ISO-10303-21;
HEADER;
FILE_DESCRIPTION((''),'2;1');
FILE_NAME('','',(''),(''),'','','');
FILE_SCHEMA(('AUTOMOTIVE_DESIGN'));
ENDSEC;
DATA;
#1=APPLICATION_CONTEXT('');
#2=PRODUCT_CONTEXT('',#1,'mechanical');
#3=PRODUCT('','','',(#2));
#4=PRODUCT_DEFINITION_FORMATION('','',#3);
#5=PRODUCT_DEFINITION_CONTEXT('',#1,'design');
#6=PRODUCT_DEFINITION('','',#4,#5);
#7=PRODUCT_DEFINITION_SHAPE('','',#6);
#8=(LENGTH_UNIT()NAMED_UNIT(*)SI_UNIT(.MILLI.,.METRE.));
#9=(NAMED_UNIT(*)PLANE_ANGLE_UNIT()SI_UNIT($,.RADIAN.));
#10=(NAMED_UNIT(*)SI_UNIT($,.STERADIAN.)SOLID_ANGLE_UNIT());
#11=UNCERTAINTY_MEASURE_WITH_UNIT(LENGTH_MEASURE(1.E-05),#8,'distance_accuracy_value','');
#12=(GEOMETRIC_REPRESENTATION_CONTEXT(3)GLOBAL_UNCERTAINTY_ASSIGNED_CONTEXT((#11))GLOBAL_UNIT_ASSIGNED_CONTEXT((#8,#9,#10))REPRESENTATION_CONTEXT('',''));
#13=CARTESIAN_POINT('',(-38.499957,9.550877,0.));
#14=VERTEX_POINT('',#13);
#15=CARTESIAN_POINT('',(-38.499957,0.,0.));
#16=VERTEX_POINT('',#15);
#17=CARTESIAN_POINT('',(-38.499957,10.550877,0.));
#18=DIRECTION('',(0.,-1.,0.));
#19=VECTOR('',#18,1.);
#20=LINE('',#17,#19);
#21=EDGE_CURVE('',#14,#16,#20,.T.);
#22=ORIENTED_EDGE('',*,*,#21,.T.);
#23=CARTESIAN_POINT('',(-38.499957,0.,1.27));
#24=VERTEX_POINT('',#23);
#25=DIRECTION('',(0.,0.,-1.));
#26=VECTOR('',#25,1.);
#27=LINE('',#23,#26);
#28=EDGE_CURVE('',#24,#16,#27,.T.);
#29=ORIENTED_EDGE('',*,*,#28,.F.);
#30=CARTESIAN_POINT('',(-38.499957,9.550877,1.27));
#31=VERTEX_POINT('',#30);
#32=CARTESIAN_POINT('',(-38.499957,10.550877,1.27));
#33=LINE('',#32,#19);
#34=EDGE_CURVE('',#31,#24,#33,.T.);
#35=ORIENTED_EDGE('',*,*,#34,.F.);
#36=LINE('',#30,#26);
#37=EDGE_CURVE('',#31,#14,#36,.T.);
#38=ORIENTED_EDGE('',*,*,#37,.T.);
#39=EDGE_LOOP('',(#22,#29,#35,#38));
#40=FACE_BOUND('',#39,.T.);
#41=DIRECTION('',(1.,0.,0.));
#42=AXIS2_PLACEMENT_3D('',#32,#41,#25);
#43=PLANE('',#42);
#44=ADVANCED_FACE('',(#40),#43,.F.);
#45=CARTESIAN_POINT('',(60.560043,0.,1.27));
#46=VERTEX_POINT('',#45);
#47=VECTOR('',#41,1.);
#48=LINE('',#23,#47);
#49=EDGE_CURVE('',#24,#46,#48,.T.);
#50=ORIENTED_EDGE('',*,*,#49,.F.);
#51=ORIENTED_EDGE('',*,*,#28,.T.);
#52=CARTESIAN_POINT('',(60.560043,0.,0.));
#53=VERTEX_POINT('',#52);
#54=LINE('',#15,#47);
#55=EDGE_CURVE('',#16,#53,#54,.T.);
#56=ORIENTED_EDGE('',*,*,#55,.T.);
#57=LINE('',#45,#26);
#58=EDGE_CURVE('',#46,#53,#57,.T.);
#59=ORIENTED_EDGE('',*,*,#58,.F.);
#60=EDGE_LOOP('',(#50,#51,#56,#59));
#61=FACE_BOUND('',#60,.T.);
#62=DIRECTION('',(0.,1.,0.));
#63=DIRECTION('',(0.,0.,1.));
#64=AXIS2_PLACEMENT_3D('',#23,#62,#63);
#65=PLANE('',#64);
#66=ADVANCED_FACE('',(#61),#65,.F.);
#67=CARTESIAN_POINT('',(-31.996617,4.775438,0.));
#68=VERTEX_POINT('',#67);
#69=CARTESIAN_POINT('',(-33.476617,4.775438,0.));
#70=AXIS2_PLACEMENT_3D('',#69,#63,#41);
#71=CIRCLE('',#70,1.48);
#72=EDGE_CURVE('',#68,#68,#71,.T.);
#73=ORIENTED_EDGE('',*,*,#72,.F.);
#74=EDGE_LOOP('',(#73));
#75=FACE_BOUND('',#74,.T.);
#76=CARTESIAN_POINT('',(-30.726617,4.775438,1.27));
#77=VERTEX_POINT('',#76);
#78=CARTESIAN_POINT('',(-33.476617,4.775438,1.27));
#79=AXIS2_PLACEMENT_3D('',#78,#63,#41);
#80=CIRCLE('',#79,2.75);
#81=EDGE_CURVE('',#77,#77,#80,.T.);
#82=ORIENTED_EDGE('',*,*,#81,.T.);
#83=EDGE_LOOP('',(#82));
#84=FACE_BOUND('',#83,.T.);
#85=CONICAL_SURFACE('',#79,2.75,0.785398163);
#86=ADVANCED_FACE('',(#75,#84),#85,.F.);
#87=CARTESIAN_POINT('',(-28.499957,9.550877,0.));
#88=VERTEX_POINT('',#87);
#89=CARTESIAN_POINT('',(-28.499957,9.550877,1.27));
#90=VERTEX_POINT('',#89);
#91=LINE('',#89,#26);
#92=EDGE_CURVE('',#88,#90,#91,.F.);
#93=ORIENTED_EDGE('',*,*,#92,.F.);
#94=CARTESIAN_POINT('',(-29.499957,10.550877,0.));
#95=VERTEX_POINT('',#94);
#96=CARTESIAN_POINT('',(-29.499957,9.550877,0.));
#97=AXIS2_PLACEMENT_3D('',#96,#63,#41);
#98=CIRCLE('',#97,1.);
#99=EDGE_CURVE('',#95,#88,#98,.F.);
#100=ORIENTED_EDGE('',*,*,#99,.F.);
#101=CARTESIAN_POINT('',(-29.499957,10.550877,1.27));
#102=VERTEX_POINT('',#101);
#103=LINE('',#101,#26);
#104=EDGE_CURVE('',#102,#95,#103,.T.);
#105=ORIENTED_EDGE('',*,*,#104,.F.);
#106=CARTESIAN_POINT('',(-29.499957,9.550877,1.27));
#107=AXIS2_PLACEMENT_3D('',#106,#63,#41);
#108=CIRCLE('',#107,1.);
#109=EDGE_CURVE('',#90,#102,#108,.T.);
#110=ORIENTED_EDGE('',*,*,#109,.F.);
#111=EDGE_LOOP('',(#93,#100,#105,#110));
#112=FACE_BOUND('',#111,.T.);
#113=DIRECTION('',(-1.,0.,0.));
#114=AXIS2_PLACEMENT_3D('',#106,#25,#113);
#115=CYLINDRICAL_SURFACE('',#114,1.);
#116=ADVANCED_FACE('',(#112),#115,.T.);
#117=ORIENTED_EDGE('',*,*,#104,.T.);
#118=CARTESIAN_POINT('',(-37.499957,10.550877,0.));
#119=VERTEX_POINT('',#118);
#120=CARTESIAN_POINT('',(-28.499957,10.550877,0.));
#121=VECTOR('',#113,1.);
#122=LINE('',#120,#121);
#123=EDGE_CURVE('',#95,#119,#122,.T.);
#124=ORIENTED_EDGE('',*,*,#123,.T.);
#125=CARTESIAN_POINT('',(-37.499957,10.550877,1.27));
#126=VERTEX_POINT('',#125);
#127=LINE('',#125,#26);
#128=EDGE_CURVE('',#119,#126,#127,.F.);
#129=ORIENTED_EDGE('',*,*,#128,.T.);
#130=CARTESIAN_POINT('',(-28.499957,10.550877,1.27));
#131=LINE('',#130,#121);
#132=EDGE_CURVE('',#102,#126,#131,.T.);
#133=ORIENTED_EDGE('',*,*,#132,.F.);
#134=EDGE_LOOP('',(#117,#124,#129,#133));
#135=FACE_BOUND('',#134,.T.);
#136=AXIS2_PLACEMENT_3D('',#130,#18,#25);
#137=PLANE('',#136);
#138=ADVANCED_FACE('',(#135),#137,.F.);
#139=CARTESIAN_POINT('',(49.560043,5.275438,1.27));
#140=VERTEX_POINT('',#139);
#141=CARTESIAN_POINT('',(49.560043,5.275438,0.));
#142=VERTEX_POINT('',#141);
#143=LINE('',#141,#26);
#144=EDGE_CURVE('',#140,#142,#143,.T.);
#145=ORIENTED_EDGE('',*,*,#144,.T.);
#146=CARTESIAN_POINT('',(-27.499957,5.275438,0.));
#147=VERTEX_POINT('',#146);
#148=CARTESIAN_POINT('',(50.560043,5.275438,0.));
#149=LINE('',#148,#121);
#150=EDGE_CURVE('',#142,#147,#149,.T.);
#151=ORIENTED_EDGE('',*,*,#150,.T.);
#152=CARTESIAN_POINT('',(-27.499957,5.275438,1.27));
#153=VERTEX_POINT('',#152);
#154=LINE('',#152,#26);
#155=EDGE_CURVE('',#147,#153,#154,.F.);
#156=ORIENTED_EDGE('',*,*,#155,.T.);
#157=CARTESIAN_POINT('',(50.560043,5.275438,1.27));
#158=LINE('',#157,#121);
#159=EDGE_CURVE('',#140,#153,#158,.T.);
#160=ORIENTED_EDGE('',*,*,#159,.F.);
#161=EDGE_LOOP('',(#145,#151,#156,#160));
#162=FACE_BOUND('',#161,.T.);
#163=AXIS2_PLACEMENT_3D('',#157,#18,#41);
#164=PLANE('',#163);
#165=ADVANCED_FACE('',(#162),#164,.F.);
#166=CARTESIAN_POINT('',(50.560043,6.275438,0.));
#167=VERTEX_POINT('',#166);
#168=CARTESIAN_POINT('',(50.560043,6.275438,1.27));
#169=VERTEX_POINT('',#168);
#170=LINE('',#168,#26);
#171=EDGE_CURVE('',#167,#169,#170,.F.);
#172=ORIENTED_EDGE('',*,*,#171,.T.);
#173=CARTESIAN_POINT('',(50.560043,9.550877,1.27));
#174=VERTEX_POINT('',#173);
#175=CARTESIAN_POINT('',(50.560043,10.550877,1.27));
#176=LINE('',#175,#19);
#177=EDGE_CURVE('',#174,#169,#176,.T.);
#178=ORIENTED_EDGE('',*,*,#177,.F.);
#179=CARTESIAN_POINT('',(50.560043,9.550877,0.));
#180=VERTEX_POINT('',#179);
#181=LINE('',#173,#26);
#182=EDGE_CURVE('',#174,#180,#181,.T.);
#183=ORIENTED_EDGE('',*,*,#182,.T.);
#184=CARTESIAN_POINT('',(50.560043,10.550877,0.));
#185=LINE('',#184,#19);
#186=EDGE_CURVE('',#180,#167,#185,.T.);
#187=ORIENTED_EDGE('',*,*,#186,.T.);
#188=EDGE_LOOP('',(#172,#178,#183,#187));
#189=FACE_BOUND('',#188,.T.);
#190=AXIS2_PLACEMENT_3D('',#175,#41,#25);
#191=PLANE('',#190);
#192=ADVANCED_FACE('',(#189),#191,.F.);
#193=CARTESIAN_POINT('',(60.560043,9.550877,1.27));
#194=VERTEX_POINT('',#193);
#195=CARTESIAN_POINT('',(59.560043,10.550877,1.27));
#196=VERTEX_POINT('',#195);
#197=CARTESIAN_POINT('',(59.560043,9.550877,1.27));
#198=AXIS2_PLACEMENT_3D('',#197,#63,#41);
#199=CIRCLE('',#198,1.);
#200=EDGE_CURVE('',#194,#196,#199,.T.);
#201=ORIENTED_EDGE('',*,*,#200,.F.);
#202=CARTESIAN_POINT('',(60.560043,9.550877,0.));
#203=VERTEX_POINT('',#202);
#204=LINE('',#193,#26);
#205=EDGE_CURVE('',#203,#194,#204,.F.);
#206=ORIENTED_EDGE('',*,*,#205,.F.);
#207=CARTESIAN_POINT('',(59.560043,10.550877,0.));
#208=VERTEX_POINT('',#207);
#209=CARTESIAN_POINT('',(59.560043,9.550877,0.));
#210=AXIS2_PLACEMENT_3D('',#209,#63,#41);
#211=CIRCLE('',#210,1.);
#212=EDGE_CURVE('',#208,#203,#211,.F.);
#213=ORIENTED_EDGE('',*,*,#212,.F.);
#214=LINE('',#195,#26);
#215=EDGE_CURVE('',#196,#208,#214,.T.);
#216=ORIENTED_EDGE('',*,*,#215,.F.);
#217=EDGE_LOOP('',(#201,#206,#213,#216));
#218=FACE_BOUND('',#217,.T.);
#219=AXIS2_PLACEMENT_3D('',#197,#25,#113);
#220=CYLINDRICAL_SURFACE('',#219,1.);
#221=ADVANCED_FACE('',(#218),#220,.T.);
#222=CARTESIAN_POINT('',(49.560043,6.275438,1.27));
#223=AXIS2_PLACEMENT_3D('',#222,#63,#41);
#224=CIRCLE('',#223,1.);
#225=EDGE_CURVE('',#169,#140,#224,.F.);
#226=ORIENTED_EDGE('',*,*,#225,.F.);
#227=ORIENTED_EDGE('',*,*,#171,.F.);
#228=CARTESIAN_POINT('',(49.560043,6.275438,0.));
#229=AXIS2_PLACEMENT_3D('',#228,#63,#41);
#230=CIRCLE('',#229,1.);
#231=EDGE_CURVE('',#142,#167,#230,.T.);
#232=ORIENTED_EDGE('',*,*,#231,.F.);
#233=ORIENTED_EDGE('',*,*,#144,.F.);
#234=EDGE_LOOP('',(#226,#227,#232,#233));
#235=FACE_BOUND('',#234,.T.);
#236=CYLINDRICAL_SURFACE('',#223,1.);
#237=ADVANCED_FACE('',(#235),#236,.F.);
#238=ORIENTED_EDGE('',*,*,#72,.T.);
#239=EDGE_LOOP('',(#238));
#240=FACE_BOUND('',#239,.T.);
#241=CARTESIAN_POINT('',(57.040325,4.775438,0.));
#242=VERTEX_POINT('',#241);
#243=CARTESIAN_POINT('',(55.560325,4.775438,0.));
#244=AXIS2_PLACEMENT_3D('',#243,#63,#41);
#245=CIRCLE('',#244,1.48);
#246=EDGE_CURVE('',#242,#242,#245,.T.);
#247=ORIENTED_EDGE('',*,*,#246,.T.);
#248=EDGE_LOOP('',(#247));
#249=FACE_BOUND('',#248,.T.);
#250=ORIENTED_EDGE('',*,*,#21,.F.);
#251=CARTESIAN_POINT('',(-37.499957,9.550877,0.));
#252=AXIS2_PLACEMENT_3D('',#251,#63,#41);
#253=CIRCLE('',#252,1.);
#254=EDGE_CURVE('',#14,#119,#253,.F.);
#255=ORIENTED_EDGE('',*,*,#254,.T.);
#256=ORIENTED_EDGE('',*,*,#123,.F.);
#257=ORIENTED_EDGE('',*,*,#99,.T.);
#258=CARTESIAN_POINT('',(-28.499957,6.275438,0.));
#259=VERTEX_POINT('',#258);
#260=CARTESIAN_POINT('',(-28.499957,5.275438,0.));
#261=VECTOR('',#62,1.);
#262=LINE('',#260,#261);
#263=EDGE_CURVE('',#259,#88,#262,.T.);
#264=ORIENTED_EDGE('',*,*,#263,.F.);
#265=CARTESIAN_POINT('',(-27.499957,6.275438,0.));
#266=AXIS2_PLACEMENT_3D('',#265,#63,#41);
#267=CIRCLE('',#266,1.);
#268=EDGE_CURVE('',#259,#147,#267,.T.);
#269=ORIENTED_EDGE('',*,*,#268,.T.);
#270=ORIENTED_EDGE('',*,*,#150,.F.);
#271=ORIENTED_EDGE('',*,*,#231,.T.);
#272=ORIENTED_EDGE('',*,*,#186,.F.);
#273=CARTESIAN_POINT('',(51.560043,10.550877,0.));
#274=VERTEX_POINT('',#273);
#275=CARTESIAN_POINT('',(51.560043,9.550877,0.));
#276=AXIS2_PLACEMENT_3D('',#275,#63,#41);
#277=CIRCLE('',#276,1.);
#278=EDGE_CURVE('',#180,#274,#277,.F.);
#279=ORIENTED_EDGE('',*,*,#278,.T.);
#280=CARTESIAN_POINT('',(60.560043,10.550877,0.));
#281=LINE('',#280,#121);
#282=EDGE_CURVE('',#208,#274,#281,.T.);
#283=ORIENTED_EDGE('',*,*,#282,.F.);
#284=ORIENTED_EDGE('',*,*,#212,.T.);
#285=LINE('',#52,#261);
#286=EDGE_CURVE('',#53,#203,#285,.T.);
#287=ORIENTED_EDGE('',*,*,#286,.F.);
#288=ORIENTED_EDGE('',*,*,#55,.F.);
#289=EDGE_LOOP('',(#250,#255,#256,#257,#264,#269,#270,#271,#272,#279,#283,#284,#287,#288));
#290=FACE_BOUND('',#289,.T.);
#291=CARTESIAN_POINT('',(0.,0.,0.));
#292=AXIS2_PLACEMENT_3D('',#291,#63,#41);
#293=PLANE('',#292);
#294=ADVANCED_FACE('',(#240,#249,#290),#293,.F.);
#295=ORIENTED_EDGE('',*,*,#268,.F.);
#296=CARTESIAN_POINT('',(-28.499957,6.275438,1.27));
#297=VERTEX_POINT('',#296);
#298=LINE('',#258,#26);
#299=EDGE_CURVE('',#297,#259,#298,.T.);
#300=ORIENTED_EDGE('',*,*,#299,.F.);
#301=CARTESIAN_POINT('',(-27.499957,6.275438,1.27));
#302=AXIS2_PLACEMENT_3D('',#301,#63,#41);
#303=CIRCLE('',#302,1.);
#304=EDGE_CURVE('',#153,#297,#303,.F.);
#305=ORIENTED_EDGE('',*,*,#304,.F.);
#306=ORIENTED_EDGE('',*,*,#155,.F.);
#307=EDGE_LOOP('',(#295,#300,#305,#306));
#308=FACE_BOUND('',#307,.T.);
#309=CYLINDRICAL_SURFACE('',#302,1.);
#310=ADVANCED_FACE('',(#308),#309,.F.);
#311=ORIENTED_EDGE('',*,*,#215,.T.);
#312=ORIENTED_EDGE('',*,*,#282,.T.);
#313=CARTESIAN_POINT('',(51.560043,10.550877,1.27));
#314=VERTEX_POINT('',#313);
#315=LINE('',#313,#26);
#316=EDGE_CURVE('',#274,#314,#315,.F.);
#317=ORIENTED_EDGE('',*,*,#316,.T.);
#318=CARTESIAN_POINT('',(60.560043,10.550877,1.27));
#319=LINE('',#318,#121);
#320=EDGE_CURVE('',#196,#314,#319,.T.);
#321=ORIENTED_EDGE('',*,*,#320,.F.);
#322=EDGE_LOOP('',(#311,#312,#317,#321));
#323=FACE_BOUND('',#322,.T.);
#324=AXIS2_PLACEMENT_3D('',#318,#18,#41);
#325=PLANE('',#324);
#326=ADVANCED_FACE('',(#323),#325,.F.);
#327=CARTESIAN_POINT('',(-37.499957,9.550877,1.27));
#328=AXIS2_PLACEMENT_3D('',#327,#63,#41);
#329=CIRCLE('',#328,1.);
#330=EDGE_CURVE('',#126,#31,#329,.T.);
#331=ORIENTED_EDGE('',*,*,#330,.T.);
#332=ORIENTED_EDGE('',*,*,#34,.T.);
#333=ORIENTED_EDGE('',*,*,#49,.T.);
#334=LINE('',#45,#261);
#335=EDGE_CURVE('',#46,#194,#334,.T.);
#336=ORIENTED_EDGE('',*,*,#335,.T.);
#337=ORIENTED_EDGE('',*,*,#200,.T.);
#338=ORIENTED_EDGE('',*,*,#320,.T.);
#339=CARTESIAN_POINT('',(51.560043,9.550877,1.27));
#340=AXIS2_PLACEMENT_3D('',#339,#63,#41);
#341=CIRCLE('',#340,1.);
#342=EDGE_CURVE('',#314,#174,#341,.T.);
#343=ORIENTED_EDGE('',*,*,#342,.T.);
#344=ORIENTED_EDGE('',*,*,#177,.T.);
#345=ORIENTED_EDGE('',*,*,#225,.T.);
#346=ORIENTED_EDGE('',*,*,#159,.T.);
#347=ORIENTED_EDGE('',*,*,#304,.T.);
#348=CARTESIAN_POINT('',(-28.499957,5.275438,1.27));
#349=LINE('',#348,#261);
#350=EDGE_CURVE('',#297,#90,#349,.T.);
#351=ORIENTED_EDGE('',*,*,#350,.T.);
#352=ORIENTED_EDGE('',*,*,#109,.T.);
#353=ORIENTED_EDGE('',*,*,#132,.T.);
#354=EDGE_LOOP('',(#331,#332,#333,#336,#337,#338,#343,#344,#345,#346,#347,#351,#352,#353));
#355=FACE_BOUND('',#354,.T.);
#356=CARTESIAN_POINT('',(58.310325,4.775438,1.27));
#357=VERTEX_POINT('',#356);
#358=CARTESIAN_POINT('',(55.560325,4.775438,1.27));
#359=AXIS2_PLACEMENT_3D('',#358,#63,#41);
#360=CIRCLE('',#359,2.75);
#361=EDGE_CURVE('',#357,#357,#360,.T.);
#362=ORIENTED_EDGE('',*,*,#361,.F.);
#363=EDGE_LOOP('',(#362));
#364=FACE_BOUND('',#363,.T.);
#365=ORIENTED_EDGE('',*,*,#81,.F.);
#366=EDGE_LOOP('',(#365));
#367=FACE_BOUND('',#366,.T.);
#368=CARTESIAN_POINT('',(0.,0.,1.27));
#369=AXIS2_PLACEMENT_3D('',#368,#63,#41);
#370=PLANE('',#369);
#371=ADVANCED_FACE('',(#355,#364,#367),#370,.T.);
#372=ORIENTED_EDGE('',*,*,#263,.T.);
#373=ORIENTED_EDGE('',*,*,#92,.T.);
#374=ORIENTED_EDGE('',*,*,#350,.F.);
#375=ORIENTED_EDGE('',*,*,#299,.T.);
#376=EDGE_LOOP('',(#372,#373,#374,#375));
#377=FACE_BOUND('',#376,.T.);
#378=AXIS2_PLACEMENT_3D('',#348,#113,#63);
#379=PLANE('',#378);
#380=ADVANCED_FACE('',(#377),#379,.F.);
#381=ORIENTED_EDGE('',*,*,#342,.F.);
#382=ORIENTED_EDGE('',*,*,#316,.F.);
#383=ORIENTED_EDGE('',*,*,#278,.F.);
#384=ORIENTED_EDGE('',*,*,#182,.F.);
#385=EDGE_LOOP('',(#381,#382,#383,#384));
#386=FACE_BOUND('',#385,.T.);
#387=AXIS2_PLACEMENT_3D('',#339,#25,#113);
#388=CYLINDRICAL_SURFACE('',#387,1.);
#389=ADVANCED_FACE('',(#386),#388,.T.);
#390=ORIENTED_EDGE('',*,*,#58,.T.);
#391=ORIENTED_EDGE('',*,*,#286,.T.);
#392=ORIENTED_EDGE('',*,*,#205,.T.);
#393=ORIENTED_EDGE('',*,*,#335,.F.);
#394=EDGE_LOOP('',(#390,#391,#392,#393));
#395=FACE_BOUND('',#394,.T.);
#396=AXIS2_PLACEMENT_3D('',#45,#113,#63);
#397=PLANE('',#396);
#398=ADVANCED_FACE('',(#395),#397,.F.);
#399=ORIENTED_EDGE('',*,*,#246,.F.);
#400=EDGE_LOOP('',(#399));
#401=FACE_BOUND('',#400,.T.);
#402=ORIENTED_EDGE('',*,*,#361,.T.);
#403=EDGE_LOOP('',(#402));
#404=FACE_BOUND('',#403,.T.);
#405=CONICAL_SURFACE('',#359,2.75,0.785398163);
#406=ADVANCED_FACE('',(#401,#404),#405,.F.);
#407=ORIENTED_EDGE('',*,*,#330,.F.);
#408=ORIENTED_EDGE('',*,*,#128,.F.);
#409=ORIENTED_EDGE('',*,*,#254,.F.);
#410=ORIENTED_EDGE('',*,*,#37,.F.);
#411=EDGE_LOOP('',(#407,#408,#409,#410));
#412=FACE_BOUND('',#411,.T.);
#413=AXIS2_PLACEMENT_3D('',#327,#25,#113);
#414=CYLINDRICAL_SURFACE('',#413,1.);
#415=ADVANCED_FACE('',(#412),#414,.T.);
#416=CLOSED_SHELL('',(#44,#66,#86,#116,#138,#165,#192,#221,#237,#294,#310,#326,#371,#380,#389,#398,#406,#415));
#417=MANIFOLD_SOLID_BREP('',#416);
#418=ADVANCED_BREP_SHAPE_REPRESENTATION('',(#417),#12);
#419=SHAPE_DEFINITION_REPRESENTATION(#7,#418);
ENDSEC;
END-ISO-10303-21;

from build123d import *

# Parameters (mm, degrees)
BOSS_EXTRUDE1_DEPTH                          = 1.27
FILLET1_R                                    = 1
CSK_FOR_M2_5_COUNTERSUNK_RAISED_HEAD_2_COUNT = 2
CSK_FOR_M2_5_COUNTERSUNK_RAISED_HEAD_2_PITCH = 89.03694267


with BuildPart() as part:
    # Sketch1 → Boss-Extrude1 (new body)
    with BuildSketch(Plane.XY):
        Polygon((-38.499957014, 0), (60.560042986, 0), (60.560042986, 10.550876612), (50.560042986, 10.550876612), (50.560042986, 5.275438306), (-28.499957014, 5.275438306), (-28.499957014, 10.550876612), (-38.499957014, 10.550876612), align=None)
    extrude(amount=BOSS_EXTRUDE1_DEPTH)

    # Fillet1
    fillet1_edges = [part.edges().sort_by_distance(p)[0] for p in [
        (-38.499957014, 10.550876612, 0.635),
        (-28.499957014, 10.550876612, 0.635),
        (-28.499957014, 5.275438306, 0.635),
        (50.560042986, 5.275438306, 0.635),
        (50.560042986, 10.550876612, 0.635),
        (60.560042986, 10.550876612, 0.635),
    ]]
    fillet(fillet1_edges, radius=FILLET1_R)

    # Sketch6 → CSK for M2.5 Countersunk Raised Head Screw1 (revolve, cut)
    with BuildSketch(Plane(origin=(-33.476617277, 4.775438306, 1.27), x_dir=(0, -1, 0), z_dir=(1, 0, 0))):
        Polygon((0, 0), (0, 1.27), (1.45, 1.27), (1.45, 1.3), (2.75, 0), align=None)
    csk_for_m2_5_countersunk_raised_head_scr = revolve(axis=Axis((-33.476617277, 4.775438306, 7.62), (0, 0, -1)), mode=Mode.SUBTRACT)

    # CSK for M2.5 Countersunk Raised Head 2: CSK for M2.5 Countersunk Raised Head Screw1 ×2
    with Locations(*[(i * CSK_FOR_M2_5_COUNTERSUNK_RAISED_HEAD_2_PITCH, 0, 0) for i in range(1, CSK_FOR_M2_5_COUNTERSUNK_RAISED_HEAD_2_COUNT)]):
        add(csk_for_m2_5_countersunk_raised_head_scr, mode=Mode.SUBTRACT)


solid = part.part
